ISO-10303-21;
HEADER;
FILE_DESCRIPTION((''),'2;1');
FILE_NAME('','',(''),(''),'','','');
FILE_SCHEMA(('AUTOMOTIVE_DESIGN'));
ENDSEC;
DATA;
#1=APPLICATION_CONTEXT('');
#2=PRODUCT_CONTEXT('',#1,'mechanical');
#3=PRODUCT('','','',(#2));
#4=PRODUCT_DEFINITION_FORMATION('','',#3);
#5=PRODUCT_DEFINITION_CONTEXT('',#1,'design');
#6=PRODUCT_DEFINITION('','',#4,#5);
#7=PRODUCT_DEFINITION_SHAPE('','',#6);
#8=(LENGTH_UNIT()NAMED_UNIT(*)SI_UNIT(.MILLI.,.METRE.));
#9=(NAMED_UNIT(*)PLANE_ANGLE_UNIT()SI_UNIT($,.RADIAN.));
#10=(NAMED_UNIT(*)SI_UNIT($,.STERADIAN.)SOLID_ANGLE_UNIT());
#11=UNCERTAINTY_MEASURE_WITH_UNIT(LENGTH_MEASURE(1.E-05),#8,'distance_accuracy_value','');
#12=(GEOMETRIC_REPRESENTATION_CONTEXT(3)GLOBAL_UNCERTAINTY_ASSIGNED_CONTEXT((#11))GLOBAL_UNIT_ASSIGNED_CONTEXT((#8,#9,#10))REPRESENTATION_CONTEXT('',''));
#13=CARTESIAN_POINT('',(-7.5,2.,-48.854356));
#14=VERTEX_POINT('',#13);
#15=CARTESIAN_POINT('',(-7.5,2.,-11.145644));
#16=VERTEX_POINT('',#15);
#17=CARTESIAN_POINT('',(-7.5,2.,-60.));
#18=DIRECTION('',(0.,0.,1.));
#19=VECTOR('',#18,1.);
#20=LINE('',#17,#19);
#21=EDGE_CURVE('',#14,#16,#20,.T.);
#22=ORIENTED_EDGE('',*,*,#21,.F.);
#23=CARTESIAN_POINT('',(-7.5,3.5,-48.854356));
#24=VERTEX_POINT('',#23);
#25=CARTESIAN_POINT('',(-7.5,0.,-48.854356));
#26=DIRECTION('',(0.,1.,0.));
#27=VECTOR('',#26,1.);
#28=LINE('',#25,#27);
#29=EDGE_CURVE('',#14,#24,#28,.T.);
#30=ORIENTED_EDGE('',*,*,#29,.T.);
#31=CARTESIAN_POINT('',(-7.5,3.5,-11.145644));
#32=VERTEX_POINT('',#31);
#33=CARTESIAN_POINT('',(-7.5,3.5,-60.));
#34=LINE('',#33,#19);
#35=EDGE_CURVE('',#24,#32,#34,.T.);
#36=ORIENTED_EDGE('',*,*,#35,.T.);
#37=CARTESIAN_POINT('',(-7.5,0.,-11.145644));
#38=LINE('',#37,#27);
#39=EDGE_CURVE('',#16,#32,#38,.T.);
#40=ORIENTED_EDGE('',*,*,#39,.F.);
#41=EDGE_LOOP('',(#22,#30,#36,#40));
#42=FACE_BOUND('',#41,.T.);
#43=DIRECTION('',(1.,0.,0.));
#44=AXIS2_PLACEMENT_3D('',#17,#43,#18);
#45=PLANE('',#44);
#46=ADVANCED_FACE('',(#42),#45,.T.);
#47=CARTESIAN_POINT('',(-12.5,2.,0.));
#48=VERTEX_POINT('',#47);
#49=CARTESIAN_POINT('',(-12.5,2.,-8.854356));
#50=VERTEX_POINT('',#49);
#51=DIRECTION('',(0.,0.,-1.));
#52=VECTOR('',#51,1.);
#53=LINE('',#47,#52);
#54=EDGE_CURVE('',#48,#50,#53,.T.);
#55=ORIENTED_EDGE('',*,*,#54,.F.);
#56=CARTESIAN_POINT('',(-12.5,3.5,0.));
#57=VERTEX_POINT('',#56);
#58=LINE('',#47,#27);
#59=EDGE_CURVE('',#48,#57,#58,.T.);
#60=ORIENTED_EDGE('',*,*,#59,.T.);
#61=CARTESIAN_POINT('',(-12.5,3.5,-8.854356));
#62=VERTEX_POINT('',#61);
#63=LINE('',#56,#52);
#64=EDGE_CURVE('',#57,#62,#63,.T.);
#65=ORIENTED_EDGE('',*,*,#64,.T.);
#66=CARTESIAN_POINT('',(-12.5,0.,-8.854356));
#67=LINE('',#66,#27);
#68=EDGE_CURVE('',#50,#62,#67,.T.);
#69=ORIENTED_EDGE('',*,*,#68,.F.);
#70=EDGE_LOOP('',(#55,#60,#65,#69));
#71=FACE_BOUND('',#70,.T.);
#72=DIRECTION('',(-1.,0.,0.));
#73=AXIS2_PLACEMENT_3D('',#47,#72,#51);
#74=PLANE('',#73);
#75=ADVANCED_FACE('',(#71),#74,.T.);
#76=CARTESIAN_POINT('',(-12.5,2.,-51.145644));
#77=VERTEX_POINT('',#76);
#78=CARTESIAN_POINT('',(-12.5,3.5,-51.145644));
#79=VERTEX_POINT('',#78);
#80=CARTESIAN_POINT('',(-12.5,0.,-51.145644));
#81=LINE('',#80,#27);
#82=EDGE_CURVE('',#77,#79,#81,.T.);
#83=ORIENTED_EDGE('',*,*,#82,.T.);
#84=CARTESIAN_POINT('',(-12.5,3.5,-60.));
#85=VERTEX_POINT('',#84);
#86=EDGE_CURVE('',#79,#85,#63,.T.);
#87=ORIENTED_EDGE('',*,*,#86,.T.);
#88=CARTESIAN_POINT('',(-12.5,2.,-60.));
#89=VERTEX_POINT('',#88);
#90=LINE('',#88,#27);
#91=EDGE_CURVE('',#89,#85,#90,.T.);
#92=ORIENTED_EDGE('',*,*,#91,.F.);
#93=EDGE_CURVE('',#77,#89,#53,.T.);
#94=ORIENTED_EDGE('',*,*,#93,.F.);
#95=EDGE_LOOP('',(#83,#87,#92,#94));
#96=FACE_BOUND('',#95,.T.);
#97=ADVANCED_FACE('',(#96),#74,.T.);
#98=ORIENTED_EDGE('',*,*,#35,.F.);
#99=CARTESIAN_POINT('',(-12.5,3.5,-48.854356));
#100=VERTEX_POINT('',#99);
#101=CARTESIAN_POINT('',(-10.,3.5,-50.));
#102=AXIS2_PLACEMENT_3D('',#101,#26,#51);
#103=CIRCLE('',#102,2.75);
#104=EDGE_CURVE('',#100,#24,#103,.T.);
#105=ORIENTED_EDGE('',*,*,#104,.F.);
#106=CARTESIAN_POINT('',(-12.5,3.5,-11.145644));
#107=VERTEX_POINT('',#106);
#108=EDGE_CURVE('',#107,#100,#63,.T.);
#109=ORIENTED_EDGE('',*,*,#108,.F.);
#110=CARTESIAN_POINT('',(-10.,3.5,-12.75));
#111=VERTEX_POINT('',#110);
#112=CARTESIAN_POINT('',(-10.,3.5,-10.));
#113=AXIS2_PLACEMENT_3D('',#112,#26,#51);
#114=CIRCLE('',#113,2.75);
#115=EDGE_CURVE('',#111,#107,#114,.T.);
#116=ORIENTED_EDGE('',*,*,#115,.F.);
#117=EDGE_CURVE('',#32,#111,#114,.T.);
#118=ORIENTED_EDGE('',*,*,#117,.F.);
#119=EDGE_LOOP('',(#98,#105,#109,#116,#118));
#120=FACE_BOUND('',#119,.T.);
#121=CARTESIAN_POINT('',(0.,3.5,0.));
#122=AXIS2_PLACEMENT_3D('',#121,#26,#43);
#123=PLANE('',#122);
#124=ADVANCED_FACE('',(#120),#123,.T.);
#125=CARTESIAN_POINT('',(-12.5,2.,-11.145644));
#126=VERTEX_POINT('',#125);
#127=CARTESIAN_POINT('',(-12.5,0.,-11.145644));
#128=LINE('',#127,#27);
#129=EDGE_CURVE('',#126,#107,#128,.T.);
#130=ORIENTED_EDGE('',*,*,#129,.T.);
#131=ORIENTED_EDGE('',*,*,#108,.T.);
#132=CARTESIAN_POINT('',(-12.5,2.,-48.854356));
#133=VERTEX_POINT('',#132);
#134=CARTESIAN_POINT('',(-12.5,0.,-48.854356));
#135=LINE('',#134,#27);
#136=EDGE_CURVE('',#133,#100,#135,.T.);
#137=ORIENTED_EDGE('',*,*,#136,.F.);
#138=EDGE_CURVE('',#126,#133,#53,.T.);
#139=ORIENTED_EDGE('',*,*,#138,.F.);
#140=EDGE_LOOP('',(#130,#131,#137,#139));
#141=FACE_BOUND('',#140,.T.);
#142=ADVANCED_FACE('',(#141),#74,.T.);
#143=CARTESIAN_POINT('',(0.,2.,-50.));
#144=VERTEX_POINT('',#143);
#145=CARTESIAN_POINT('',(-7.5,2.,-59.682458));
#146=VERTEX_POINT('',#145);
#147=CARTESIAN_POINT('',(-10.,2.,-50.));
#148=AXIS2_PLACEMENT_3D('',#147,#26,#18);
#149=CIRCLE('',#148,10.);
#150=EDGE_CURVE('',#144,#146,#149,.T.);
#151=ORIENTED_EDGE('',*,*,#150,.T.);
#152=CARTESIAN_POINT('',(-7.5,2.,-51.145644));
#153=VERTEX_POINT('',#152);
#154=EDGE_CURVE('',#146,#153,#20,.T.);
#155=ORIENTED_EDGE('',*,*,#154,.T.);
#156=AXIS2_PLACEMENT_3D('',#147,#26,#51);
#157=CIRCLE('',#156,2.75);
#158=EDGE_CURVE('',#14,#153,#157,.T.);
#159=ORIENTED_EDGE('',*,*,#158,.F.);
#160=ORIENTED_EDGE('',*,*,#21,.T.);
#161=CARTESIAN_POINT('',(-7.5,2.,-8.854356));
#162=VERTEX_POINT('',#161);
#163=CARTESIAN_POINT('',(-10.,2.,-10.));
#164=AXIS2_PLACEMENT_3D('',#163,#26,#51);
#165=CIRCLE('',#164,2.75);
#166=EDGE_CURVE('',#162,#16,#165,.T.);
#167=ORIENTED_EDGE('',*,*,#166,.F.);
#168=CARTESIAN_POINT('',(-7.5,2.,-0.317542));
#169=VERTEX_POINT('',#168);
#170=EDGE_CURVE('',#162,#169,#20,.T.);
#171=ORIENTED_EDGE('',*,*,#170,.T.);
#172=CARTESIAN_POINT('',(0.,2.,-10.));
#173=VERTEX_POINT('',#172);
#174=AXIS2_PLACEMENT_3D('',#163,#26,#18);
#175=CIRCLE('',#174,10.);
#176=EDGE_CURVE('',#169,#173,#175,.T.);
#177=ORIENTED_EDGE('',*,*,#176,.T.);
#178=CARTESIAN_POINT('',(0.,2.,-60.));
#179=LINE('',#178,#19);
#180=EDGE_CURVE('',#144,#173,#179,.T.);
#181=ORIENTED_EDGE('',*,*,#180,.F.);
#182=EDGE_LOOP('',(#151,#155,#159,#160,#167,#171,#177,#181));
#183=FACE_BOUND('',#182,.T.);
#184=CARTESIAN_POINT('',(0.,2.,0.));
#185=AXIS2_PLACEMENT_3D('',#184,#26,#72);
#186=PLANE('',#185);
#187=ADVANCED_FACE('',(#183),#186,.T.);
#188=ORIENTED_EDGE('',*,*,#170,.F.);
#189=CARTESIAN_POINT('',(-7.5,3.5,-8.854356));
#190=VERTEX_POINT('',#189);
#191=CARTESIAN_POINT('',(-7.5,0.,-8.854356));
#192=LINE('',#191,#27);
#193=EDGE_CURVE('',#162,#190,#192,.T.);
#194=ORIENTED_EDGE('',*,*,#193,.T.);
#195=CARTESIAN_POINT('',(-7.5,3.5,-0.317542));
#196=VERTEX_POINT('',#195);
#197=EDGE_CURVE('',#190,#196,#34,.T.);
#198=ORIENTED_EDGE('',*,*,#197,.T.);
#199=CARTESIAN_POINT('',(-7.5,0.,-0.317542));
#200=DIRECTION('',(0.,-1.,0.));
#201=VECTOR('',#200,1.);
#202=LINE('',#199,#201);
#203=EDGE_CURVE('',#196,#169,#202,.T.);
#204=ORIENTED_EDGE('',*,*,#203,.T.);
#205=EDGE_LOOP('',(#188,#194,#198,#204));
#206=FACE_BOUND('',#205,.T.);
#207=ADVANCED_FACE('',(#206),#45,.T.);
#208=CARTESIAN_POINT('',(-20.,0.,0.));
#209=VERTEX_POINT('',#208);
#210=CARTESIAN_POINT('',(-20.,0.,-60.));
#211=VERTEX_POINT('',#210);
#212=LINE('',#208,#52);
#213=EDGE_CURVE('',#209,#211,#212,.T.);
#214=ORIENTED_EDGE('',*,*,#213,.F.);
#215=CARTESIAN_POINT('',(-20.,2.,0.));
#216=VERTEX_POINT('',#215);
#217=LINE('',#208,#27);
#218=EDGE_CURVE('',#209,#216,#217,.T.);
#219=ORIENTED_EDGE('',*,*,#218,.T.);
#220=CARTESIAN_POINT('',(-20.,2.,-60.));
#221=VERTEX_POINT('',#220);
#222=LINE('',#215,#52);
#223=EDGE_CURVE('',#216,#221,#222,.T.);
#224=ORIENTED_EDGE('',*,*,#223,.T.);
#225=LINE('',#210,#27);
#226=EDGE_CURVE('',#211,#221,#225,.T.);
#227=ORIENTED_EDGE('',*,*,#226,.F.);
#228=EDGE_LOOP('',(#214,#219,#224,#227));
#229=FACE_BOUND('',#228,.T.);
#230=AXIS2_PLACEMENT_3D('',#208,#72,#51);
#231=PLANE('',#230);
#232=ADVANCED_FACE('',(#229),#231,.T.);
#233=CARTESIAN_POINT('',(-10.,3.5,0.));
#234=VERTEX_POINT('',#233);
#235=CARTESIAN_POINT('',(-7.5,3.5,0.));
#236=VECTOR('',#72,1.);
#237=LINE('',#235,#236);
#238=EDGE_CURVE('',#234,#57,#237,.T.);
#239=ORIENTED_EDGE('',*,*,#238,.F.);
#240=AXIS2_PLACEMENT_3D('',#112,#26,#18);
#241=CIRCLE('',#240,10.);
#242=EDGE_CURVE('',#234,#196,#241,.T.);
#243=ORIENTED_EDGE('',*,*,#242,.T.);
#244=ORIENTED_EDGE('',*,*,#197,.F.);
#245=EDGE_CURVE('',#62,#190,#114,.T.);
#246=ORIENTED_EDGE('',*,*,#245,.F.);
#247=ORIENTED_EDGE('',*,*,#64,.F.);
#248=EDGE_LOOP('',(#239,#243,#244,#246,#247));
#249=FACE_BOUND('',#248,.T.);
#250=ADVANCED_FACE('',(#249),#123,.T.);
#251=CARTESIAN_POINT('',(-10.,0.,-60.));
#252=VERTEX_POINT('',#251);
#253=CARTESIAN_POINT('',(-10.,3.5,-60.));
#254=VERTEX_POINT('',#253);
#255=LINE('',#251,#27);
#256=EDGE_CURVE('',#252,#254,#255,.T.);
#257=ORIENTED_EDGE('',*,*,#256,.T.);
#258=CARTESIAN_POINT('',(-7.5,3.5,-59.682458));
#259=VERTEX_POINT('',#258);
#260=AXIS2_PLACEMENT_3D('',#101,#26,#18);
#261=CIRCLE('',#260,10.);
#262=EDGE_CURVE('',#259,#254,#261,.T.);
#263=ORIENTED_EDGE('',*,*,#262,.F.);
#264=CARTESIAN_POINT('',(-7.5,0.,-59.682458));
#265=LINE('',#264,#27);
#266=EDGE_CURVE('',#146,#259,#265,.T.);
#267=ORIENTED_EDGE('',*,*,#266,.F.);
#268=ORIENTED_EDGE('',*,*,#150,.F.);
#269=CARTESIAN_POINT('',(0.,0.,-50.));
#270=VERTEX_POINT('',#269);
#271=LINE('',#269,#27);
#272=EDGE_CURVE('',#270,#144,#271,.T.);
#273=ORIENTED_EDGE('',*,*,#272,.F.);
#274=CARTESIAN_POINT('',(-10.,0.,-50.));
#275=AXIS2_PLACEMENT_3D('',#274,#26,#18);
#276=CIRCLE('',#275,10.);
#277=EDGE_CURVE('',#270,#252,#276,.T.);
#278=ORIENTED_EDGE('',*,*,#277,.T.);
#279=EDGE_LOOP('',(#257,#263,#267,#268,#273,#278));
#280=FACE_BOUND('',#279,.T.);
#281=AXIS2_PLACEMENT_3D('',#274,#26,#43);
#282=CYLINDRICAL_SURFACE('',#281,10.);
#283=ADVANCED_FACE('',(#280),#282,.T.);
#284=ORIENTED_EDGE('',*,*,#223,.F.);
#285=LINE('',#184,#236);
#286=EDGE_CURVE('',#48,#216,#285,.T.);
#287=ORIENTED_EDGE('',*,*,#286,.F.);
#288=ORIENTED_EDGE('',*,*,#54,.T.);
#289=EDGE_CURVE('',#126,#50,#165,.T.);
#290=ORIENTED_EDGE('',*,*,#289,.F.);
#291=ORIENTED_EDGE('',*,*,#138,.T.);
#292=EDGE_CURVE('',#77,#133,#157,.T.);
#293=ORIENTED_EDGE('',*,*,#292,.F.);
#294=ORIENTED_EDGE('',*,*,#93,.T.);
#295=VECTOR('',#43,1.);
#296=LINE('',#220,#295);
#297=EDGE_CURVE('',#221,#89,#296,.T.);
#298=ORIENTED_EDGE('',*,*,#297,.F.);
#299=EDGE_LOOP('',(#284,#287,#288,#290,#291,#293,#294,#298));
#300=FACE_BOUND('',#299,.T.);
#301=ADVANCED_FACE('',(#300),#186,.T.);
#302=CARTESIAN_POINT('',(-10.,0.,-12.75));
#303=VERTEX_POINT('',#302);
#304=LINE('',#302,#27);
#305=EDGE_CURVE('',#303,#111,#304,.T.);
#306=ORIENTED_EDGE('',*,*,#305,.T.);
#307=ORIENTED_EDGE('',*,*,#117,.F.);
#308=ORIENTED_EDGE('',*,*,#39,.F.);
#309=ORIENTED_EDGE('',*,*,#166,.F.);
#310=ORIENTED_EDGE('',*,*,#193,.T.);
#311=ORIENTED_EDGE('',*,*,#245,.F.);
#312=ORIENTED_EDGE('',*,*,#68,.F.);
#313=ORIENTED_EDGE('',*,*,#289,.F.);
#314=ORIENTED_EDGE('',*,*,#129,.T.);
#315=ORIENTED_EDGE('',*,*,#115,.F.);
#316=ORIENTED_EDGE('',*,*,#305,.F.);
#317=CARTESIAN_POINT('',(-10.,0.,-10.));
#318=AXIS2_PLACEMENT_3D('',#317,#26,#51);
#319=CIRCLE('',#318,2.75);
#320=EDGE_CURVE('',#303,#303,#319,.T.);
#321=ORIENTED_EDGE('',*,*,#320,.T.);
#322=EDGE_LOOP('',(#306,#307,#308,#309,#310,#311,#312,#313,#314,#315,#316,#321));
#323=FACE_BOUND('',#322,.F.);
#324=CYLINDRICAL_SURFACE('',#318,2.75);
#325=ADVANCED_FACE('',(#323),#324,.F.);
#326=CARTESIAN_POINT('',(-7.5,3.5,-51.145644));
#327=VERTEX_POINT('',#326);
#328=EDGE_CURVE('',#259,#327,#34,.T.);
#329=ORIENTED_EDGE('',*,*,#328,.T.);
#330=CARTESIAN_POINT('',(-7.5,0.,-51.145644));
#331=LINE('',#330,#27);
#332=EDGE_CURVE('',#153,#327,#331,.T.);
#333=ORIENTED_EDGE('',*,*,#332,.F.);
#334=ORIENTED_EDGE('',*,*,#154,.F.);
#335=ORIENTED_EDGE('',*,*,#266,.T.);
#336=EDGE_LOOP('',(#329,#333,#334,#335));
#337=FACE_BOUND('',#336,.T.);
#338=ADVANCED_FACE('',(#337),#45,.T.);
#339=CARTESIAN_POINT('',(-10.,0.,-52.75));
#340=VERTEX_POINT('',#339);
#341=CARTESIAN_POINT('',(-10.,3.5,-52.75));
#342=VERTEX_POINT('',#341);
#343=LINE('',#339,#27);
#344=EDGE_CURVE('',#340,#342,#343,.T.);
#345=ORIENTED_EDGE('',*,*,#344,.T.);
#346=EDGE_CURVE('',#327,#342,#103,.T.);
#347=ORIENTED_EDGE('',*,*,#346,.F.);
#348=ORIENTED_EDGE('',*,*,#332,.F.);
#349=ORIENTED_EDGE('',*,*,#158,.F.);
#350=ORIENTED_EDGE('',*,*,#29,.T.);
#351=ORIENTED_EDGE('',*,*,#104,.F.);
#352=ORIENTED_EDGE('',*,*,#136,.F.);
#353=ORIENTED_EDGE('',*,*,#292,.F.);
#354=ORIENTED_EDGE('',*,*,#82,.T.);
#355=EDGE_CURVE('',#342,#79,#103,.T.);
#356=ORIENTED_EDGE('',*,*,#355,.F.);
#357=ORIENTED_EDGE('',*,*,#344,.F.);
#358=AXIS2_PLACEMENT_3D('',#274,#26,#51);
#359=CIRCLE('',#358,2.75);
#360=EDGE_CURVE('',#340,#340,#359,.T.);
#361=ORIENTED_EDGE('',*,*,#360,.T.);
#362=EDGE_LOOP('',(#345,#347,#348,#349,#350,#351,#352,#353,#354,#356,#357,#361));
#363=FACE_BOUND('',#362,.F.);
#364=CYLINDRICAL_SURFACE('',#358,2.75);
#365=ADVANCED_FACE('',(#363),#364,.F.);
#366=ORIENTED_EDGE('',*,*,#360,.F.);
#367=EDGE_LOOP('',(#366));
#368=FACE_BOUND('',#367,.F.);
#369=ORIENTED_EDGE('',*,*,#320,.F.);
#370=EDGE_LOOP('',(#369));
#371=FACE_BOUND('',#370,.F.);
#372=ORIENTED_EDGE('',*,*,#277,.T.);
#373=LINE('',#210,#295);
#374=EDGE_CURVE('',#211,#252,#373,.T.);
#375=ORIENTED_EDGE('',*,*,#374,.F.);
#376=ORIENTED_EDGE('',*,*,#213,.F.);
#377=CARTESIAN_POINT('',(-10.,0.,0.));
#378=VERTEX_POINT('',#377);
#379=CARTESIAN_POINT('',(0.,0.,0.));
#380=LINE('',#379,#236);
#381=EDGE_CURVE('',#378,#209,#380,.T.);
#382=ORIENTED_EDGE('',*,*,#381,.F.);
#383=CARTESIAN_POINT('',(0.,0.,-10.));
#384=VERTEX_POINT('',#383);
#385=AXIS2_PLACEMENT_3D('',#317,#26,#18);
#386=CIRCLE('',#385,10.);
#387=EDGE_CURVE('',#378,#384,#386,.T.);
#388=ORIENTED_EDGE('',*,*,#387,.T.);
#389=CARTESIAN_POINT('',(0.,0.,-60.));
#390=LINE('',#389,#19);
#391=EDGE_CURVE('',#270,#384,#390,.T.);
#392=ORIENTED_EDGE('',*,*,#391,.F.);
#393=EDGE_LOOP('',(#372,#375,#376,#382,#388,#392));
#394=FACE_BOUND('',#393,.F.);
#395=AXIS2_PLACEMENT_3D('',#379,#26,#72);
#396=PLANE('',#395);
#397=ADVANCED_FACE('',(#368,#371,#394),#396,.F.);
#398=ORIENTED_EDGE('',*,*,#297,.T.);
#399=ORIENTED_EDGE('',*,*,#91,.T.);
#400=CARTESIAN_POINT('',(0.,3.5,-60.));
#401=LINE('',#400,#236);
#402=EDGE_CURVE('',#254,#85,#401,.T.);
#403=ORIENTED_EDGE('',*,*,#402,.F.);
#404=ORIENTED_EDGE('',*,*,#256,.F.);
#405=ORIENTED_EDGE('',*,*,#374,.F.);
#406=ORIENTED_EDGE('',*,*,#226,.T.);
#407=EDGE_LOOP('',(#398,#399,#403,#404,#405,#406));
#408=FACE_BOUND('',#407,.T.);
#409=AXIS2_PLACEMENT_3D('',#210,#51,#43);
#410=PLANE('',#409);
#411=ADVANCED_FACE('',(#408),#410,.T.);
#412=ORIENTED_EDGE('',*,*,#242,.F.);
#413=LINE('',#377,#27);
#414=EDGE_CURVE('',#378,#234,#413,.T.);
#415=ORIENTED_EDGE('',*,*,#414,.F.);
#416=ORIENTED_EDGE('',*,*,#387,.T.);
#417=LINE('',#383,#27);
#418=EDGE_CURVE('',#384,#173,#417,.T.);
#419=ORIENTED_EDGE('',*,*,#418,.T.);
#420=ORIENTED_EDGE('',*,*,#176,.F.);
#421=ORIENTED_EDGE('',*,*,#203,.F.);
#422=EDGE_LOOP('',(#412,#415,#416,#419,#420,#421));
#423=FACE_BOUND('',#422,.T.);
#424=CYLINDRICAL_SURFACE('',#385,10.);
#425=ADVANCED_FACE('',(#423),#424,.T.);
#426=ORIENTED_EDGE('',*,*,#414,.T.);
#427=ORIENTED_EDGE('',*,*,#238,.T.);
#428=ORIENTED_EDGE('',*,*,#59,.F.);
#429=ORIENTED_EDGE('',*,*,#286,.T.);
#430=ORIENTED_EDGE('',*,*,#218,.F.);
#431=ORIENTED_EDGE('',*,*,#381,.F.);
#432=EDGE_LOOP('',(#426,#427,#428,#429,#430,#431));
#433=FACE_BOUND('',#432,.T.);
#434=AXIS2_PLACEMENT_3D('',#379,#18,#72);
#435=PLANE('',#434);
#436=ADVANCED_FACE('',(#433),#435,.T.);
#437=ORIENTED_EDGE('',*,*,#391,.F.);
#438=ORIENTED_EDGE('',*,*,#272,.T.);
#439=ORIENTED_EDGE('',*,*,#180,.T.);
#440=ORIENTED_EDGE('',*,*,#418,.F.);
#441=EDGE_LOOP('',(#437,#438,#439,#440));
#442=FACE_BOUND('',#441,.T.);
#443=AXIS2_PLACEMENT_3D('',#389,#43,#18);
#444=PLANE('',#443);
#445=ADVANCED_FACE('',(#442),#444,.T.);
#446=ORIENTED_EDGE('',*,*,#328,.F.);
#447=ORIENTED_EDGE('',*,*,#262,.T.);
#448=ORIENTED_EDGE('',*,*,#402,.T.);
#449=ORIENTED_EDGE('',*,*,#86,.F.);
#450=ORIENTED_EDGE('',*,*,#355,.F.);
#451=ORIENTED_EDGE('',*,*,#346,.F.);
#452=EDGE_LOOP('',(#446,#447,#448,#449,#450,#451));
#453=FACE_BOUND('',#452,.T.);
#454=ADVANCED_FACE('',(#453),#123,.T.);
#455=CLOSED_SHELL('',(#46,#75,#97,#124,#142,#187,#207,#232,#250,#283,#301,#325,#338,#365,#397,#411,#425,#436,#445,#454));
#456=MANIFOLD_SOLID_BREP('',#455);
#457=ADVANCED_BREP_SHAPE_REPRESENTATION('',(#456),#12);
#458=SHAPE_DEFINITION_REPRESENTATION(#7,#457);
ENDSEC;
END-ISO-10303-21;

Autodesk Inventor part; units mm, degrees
ref_plane "YZ Plane" through (0, 0, 0) normal (1, 0, 0) x (0, 1, 0)
ref_plane "XZ Plane" through (0, 0, 0) normal (0, 1, 0) x (-1, 0, 0)
ref_plane "XY Plane" through (0, 0, 0) normal (0, 0, 1) x (1, 0, 0)
sketch "Sketch1" plane through (0, 0, 0) normal (0, 1, 0) x (-1, 0, 0)
  line L0 (0, 0) -> (20, 0)
  line L1 (20, 0) -> (20, -60)
  line L2 (20, -60) -> (0, -60)
  line L3 (0, -60) -> (0, 0)
  dimension "d0" = 20
  dimension "d1" = 60
extrude "Extrusion1" add sketch "Sketch1" along normal blind 2
sketch "Sketch2" plane through (0, 2, 0) normal (0, 1, 0) x (1, 0, 0)
  line L0 (0, 60) -> (-20, 60) projected
  line L1 (-7.5, 0) -> (-12.5, 0)
  line L2 (-12.5, 0) -> (-12.5, 60)
  line L3 (-12.5, 60) -> (-7.5, 60)
  line L4 (-7.5, 60) -> (-7.5, 0)
  line L5 (-7.5, 0) -> (-12.5, 60) construction
  line L6 (-12.5, 0) -> (-7.5, 60) construction
  point P0 (0, 0)
  point P1 (-10, 30)
  dimension "d4" = 5
extrude "Extrusion2" add sketch "Sketch2" along normal blind 1.5
fillet "Fillet1" radius 10 2 edges at (0, 1, 0) (0, 1, -60)
sketch "Sketch3" plane through (0, 0, 0) normal (0, -1, 0) x (1, 0, 0)
  point P0 (0, 0)
  point P1 (-10, -50)
  point P2 (-10, -10)
hole "Hole1" at (-10, 0, -50) at (-10, 0, -10) direction (0, 1, 0) diameter 5.5 end through all
properties part number "gap filler y axis"
